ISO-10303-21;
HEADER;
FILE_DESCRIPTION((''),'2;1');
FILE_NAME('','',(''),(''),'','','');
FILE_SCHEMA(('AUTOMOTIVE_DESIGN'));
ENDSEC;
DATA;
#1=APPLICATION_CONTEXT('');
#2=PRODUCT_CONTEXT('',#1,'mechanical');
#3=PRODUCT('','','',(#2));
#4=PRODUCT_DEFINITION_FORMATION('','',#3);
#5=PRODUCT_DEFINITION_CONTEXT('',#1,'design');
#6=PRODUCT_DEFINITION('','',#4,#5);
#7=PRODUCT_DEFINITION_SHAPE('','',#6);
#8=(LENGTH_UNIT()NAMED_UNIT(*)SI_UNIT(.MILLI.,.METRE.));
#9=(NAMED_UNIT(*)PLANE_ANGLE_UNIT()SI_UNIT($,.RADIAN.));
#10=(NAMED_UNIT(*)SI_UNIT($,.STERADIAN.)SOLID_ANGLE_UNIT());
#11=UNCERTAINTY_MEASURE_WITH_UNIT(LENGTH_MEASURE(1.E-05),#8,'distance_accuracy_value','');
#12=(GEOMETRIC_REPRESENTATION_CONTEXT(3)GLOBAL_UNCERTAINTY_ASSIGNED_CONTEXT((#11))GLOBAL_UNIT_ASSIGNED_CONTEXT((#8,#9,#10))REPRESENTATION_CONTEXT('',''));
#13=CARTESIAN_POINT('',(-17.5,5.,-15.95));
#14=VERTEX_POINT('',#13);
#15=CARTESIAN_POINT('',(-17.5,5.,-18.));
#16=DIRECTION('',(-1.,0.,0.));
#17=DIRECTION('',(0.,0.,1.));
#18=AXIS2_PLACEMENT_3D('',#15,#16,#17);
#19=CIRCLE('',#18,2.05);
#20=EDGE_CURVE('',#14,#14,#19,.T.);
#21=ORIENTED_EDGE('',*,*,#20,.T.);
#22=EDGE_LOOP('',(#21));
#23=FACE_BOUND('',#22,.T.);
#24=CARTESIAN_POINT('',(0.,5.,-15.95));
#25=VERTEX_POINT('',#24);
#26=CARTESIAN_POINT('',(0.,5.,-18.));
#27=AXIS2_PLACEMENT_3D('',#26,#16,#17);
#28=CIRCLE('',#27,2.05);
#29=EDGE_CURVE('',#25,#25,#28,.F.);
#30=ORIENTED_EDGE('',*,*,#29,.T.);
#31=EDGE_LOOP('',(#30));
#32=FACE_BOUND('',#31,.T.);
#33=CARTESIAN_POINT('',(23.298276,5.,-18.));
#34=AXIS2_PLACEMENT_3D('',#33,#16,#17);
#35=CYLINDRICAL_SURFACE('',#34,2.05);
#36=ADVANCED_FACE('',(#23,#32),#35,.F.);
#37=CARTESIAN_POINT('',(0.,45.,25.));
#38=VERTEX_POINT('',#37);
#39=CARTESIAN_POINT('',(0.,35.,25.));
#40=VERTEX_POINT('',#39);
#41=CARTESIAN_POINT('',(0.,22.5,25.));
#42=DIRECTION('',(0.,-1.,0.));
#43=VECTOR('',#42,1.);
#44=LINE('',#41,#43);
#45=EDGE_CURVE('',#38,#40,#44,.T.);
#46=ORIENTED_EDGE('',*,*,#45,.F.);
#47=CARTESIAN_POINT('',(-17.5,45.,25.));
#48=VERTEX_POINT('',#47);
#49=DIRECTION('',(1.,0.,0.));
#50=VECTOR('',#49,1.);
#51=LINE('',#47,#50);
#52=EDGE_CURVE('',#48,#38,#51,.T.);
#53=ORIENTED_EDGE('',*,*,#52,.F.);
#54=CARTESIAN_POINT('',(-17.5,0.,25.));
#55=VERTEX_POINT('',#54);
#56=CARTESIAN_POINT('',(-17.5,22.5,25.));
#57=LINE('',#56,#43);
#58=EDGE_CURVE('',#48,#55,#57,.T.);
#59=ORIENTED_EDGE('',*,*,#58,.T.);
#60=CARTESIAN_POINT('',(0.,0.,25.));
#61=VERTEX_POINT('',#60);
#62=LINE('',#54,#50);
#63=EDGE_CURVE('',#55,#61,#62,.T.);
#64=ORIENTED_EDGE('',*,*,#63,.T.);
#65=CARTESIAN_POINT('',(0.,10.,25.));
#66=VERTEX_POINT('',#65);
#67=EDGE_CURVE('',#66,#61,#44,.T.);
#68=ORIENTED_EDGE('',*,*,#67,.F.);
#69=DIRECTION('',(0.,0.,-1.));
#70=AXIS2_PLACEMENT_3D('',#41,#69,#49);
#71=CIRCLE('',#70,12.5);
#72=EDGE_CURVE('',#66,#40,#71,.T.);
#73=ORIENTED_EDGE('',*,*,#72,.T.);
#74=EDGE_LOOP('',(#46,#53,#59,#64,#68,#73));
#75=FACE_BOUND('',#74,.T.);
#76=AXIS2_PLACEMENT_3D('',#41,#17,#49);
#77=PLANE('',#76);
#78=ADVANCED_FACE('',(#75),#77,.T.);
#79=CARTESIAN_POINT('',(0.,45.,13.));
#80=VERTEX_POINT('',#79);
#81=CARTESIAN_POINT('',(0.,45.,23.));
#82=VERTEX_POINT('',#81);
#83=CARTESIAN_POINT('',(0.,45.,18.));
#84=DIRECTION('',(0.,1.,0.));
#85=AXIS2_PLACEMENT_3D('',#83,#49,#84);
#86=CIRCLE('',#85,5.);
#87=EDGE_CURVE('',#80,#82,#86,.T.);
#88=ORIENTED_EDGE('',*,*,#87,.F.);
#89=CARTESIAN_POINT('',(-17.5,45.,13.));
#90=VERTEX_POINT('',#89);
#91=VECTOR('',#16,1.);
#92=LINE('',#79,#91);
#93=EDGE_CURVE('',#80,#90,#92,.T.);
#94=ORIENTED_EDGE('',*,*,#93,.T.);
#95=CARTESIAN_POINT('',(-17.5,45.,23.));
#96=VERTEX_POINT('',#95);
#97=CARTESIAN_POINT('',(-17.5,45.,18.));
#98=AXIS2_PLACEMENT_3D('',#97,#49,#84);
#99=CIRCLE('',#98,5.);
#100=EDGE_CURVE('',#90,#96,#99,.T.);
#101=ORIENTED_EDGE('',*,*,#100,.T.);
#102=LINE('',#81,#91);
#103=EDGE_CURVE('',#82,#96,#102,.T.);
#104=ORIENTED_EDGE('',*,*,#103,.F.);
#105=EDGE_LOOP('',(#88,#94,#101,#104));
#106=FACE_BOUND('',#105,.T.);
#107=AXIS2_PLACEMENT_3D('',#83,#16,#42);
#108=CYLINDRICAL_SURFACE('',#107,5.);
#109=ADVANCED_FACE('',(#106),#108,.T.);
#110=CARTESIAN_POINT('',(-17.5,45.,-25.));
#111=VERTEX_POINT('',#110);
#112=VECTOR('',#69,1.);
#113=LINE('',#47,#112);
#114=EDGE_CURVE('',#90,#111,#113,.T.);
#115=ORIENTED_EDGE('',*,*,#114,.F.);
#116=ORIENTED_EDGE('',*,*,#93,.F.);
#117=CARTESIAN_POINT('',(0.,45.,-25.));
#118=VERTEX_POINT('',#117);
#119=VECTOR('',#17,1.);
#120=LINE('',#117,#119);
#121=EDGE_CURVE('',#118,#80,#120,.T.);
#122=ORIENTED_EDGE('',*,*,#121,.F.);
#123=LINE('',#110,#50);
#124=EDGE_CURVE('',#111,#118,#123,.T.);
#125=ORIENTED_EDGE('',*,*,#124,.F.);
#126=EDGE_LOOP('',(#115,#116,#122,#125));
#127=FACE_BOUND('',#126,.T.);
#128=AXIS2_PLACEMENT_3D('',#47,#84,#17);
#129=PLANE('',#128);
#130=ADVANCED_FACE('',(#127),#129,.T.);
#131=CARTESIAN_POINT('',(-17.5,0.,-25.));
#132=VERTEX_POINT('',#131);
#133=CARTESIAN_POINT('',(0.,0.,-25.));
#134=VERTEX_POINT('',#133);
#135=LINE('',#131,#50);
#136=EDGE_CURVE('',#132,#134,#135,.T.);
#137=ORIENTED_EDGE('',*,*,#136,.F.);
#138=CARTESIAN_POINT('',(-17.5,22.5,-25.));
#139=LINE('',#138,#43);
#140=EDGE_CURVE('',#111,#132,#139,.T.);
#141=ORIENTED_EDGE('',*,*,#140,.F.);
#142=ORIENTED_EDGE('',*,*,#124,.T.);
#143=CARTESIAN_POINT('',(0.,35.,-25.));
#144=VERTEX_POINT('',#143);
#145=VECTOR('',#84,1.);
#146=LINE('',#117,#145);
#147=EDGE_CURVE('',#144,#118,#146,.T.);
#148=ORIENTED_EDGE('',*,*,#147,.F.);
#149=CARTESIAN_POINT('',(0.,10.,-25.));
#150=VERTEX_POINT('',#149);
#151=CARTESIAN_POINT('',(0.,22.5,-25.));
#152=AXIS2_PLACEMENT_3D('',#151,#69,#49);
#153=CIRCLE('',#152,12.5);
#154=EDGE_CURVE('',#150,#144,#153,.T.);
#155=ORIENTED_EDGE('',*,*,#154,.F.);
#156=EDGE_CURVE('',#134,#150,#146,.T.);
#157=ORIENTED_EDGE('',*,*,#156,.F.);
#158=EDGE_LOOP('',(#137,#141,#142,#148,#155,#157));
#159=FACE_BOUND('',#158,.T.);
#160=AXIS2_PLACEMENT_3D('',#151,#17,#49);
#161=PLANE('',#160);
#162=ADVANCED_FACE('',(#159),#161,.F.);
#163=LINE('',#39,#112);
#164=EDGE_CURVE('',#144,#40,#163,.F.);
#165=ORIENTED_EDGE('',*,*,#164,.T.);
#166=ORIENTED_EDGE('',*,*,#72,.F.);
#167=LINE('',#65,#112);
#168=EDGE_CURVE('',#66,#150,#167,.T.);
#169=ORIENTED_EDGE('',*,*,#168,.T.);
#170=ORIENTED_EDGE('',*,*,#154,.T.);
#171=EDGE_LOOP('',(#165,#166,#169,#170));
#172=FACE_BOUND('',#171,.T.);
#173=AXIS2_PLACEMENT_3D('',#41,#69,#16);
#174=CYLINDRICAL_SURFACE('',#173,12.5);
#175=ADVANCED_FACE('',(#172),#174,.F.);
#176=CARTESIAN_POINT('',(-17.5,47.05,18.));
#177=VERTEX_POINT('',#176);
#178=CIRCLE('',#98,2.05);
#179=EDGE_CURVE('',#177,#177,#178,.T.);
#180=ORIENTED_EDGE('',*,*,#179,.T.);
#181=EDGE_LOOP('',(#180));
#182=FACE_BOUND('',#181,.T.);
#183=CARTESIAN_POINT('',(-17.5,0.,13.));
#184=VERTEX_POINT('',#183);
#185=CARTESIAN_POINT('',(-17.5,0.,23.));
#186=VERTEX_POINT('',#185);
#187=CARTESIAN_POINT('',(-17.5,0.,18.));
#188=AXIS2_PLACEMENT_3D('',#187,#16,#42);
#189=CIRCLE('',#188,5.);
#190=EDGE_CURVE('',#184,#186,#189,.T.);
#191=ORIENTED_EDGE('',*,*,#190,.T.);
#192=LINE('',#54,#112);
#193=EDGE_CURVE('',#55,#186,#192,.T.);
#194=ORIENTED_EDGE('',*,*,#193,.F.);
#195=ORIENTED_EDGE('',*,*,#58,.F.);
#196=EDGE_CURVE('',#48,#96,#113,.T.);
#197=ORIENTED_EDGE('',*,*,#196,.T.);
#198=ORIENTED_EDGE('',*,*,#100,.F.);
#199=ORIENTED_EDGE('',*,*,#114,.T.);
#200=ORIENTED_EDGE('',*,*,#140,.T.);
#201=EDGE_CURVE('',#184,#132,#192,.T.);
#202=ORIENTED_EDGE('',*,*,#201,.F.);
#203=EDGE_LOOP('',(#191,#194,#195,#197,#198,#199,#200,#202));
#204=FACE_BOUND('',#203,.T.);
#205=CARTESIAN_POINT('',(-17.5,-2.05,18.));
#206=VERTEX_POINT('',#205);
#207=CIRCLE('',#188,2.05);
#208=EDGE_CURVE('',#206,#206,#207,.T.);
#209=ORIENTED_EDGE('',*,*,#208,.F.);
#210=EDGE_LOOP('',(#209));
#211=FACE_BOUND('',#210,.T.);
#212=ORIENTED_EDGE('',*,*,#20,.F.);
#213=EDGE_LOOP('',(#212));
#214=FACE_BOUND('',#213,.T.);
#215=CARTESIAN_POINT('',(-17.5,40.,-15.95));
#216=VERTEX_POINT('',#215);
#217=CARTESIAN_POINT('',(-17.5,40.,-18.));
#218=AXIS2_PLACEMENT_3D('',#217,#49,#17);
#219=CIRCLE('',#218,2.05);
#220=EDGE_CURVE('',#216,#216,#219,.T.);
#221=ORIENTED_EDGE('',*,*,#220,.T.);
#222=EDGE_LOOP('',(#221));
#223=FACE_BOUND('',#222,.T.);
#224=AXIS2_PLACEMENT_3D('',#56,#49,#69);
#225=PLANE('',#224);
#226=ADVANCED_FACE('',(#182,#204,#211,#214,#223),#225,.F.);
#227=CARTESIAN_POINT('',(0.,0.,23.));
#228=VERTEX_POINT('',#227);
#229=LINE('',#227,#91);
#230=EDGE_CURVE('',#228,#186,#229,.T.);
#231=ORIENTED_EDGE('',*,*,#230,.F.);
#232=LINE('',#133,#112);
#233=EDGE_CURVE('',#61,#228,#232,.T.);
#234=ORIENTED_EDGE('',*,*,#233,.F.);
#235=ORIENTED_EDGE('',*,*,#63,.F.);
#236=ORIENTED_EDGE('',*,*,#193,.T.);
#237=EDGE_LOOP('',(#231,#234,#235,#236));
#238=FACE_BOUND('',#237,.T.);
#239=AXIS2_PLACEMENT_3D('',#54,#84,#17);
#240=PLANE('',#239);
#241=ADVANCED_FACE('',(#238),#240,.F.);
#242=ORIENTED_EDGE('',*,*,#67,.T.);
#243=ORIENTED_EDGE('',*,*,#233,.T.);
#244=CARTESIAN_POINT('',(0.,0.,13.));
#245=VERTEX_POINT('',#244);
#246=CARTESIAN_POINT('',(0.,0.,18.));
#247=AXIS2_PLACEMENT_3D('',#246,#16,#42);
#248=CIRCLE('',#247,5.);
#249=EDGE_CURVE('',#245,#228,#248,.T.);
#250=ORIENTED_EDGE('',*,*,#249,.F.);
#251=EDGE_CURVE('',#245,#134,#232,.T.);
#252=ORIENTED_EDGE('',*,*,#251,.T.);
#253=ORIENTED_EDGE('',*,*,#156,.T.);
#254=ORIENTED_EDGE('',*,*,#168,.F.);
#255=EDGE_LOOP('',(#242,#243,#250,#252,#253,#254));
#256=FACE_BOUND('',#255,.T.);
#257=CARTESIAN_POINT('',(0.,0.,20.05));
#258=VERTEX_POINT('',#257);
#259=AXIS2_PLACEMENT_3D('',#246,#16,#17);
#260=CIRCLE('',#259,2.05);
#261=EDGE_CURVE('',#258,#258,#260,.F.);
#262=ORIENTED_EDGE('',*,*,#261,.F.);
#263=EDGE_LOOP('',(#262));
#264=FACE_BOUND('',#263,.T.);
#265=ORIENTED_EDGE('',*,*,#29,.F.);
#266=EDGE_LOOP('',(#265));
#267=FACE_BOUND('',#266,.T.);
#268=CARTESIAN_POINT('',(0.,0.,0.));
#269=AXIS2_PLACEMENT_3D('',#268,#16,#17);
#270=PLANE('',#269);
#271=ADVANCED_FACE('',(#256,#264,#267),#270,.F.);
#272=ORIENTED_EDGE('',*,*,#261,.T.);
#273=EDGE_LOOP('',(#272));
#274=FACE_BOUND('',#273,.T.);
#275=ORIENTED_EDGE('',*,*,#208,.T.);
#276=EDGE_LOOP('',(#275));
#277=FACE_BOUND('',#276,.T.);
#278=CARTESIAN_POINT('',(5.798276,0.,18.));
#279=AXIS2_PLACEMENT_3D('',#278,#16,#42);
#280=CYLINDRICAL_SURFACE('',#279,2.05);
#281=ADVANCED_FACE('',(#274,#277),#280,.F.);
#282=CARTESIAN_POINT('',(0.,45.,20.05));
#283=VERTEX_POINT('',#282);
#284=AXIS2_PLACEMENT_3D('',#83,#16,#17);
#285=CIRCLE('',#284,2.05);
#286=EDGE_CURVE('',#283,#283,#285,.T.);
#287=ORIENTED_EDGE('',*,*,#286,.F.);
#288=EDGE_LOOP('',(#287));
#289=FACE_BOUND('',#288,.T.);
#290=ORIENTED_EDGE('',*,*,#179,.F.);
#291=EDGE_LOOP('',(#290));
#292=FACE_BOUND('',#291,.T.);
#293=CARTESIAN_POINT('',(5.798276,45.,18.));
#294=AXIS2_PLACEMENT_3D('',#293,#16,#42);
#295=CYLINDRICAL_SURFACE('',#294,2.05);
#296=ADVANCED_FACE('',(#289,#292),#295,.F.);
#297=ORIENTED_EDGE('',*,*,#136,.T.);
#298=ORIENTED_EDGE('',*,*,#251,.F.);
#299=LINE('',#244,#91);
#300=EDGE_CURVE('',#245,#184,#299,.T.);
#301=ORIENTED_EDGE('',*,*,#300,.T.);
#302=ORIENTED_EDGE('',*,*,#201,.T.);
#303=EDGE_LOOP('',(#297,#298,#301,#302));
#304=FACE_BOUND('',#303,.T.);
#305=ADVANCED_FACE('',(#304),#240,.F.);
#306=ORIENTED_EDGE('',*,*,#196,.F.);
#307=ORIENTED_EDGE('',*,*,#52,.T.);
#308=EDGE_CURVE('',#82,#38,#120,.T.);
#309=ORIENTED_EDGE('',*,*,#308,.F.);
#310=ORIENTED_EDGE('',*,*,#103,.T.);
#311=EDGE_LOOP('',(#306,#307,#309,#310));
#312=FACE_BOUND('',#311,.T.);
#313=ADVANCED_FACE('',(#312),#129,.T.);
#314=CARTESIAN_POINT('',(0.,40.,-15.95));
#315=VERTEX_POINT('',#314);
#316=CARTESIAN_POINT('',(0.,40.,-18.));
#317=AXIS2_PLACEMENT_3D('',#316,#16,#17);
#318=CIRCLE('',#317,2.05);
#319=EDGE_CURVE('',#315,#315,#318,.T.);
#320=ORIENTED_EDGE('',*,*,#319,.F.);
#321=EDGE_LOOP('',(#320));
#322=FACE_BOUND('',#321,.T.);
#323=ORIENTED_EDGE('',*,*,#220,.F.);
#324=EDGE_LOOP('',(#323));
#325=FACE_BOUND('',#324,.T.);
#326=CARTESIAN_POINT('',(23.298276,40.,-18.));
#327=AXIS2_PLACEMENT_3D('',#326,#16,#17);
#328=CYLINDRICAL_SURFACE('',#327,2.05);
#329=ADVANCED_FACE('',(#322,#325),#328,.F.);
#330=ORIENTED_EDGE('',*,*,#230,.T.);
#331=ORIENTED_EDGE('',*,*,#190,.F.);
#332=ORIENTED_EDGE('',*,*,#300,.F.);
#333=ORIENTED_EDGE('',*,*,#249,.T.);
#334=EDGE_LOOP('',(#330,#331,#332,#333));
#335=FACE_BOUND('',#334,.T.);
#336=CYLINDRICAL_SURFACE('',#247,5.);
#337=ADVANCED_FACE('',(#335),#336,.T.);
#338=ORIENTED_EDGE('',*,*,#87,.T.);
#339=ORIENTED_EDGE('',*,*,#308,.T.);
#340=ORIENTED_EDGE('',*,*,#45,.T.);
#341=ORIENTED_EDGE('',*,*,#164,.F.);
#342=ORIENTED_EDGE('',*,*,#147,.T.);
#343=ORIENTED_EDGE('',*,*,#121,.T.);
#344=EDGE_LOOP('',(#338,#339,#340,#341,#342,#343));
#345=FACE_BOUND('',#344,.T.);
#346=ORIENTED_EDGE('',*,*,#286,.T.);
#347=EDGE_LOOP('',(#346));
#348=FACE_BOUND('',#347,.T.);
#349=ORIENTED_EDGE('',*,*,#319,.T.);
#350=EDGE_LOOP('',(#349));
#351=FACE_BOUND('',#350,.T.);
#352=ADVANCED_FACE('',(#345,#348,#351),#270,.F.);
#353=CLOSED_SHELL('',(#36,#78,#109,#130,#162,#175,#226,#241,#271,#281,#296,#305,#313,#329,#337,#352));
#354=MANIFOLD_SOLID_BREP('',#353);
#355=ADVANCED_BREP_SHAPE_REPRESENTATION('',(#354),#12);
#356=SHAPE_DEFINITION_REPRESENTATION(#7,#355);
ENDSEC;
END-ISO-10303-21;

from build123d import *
from build123d.topology import SkipClean

# Parameters (mm, degrees)
BOSS_EXTRUDE1_DEPTH             = 25
BOSS_EXTRUDE2_REACH             = 65.362
BOSS_EXTRUDE2_DIRECTION_2_DEPTH = 30
SKETCH9_R                       = 2.05
CUT_EXTRUDE3_DEPTH              = 35
BOSS_EXTRUDE5_REACH             = 63.601
SKETCH13_R                      = 1.55
CUT_EXTRUDE4_DEPTH              = 88.693844753
SKETCH16_W                      = 63
SKETCH16_H                      = 45
CUT_EXTRUDE5_DEPTH              = 65.196143
BOSS_EXTRUDE6_DEPTH             = 17.5
SKETCH18_R                      = 2.05
CUT_EXTRUDE6_DEPTH              = 17.5


with BuildPart() as part:
    # Sketch1 → Boss-Extrude1 (new, symmetric)
    with BuildSketch(Plane.XY):
        with BuildLine():
            Line((-17.5, 22.5), (-17.5, 0))
            Line((-17.5, 0), (17.5, 0))
            Line((17.5, 0), (17.5, 22.5))
            Line((17.5, 22.5), (12.5, 22.5))
            ThreePointArc((12.5, 22.5), (0, 10), (-12.5, 22.5))
            Line((-12.5, 22.5), (-17.5, 22.5))
        make_face()
    boss_extrude1 = extrude(amount=BOSS_EXTRUDE1_DEPTH, both=True)

    # Boss-Extrude2: up to this face of the body (flat: up to its plane)
    boss_extrude2_end = Plane(part.part.faces().sort_by_distance((17.5, 11.25, 0))[0])
    # Sketch5 → Boss-Extrude2 (add, up to the picked face)
    with BuildSketch(Plane(origin=(26.115381057, 0, 15.077722283), x_dir=(0.500000000000001, 0, -0.8660254037844382), z_dir=(0.8660254037844382, 0, 0.500000000000001)), mode=Mode.PRIVATE) as boss_extrude2_sk1:
        with BuildLine():
            Line((-8.7, 22.5), (-3.75, 22.5))
            ThreePointArc((-3.75, 22.5), (8.75, 10), (21.25, 22.5))
            Line((21.25, 22.5), (26.2, 22.5))
            ThreePointArc((26.2, 22.5), (8.75, 5.05), (-8.7, 22.5))
        make_face()
    boss_extrude2_tool1 = split(extrude(boss_extrude2_sk1.sketch, amount=-BOSS_EXTRUDE2_REACH, mode=Mode.PRIVATE), bisect_by=boss_extrude2_end, keep=Keep.BOTH, mode=Mode.PRIVATE)
    boss_extrude2 = boss_extrude2_tool1.solids().sort_by(Axis((23.002881, 22.109806, 20.46873), (-0.8660254037844382, 0, -0.500000000000001)))[0]
    add(boss_extrude2)

    # Sketch5 → Boss-Extrude2 direction 2 (add)
    with BuildSketch(Plane(origin=(26.115381057, 0, 15.077722283), x_dir=(0.500000000000001, 0, -0.8660254037844382), z_dir=(0.8660254037844382, 0, 0.500000000000001))):
        with BuildLine():
            Line((-8.7, 22.5), (-3.75, 22.5))
            ThreePointArc((-3.75, 22.5), (8.75, 10), (21.25, 22.5))
            Line((21.25, 22.5), (26.2, 22.5))
            ThreePointArc((26.2, 22.5), (8.75, 5.05), (-8.7, 22.5))
        make_face()
    boss_extrude2_direction_2 = extrude(amount=BOSS_EXTRUDE2_DIRECTION_2_DEPTH)

    # Sketch9 → Cut-Extrude3 (cut)
    with BuildSketch(Plane.ZY.offset(17.5)):
        with Locations((-18, 5)):
            Circle(SKETCH9_R)
    cut_extrude3 = extrude(amount=-CUT_EXTRUDE3_DEPTH, mode=Mode.SUBTRACT)

    # Boss-Extrude5: up to this face of the body (flat: up to its plane)
    boss_extrude5_end = Plane(part.part.faces().sort_by_distance((17.5, 17.19483523, 0))[0])
    # Sketch12 → Boss-Extrude5 (add, up to the picked face)
    with BuildSketch(Plane(origin=(21.973076211, 0, 12.686161466), x_dir=(0.4999999999999999, 0, -0.8660254037844388), z_dir=(0.8660254037844388, 0, 0.4999999999999999)), mode=Mode.PRIVATE) as boss_extrude5_sk1:
        with BuildLine():
            Line((-3.75, 22.5), (21.25, 22.5))
            ThreePointArc((21.25, 22.5), (8.75, 10), (-3.75, 22.5))
        make_face()
    boss_extrude5_tool1 = split(extrude(boss_extrude5_sk1.sketch, amount=-BOSS_EXTRUDE5_REACH, mode=Mode.PRIVATE), bisect_by=boss_extrude5_end, keep=Keep.BOTH, mode=Mode.PRIVATE)
    boss_extrude5 = boss_extrude5_tool1.solids().sort_by(Axis((26.348076, 17.194835, 5.108439), (-0.8660254037844388, 0, -0.4999999999999999)))[0]
    add(boss_extrude5)

    # Mirror1: Boss-Extrude1, Boss-Extrude2, Boss-Extrude2 direction 2, Cut-Extrude3, Boss-Extrude5 across plane
    with SkipClean():  # the faces are left unmerged after this step: merging them gives an invalid solid
        add(boss_extrude1.mirror(Plane(origin=(17.5, 22.5, 25), x_dir=(0, 0, 1), z_dir=(0, -1, 0))))
        add(boss_extrude2.mirror(Plane(origin=(17.5, 22.5, 25), x_dir=(0, 0, 1), z_dir=(0, -1, 0))))
        add(boss_extrude2_direction_2.mirror(Plane(origin=(17.5, 22.5, 25), x_dir=(0, 0, 1), z_dir=(0, -1, 0))))
        add(cut_extrude3.mirror(Plane(origin=(17.5, 22.5, 25), x_dir=(0, 0, 1), z_dir=(0, -1, 0))), mode=Mode.SUBTRACT)
        add(boss_extrude5.mirror(Plane(origin=(17.5, 22.5, 25), x_dir=(0, 0, 1), z_dir=(0, -1, 0))))

    # Sketch13 → Cut-Extrude4 (cut, through all)
    with SkipClean():  # the faces are left unmerged after this step: merging them gives an invalid solid
        with BuildSketch(Plane(origin=(0, 0, 0), x_dir=(1, 0, 0), z_dir=(0, 1, 0))):
            with Locations(Location((43.480762114, -15, 0), (0, 0, 90))):
                Circle(SKETCH13_R)
        extrude(amount=CUT_EXTRUDE4_DEPTH, mode=Mode.SUBTRACT)

    # Sketch16 → Cut-Extrude5 (cut)
    with BuildSketch(Plane(origin=(0, 0, 0), x_dir=(0, 0, -1), z_dir=(1, 0, 0))):
        with Locations((-6.5, 22.5)):
            Rectangle(SKETCH16_W, SKETCH16_H)
    extrude(amount=CUT_EXTRUDE5_DEPTH, mode=Mode.SUBTRACT)

    # Sketch17 → Boss-Extrude6 (add)
    with BuildSketch(Plane.ZY.offset(17.5)):
        with BuildLine():
            Line((13, 0), (23, 0))
            ThreePointArc((23, 0), (18, -5), (13, 0))
        make_face()
    boss_extrude6 = extrude(amount=-BOSS_EXTRUDE6_DEPTH)

    # Sketch18 → Cut-Extrude6 (cut)
    with BuildSketch(Plane.ZY.offset(17.5)):
        with Locations(Location((18, 0, 0), (0, 0, 270))):
            Circle(SKETCH18_R)
    cut_extrude6 = extrude(amount=-CUT_EXTRUDE6_DEPTH, mode=Mode.SUBTRACT)

    # Mirror2: Boss-Extrude6, Cut-Extrude6 across plane
    add(boss_extrude6.mirror(Plane.ZX.offset(22.5)))
    add(cut_extrude6.mirror(Plane.ZX.offset(22.5)), mode=Mode.SUBTRACT)


solid = part.part
